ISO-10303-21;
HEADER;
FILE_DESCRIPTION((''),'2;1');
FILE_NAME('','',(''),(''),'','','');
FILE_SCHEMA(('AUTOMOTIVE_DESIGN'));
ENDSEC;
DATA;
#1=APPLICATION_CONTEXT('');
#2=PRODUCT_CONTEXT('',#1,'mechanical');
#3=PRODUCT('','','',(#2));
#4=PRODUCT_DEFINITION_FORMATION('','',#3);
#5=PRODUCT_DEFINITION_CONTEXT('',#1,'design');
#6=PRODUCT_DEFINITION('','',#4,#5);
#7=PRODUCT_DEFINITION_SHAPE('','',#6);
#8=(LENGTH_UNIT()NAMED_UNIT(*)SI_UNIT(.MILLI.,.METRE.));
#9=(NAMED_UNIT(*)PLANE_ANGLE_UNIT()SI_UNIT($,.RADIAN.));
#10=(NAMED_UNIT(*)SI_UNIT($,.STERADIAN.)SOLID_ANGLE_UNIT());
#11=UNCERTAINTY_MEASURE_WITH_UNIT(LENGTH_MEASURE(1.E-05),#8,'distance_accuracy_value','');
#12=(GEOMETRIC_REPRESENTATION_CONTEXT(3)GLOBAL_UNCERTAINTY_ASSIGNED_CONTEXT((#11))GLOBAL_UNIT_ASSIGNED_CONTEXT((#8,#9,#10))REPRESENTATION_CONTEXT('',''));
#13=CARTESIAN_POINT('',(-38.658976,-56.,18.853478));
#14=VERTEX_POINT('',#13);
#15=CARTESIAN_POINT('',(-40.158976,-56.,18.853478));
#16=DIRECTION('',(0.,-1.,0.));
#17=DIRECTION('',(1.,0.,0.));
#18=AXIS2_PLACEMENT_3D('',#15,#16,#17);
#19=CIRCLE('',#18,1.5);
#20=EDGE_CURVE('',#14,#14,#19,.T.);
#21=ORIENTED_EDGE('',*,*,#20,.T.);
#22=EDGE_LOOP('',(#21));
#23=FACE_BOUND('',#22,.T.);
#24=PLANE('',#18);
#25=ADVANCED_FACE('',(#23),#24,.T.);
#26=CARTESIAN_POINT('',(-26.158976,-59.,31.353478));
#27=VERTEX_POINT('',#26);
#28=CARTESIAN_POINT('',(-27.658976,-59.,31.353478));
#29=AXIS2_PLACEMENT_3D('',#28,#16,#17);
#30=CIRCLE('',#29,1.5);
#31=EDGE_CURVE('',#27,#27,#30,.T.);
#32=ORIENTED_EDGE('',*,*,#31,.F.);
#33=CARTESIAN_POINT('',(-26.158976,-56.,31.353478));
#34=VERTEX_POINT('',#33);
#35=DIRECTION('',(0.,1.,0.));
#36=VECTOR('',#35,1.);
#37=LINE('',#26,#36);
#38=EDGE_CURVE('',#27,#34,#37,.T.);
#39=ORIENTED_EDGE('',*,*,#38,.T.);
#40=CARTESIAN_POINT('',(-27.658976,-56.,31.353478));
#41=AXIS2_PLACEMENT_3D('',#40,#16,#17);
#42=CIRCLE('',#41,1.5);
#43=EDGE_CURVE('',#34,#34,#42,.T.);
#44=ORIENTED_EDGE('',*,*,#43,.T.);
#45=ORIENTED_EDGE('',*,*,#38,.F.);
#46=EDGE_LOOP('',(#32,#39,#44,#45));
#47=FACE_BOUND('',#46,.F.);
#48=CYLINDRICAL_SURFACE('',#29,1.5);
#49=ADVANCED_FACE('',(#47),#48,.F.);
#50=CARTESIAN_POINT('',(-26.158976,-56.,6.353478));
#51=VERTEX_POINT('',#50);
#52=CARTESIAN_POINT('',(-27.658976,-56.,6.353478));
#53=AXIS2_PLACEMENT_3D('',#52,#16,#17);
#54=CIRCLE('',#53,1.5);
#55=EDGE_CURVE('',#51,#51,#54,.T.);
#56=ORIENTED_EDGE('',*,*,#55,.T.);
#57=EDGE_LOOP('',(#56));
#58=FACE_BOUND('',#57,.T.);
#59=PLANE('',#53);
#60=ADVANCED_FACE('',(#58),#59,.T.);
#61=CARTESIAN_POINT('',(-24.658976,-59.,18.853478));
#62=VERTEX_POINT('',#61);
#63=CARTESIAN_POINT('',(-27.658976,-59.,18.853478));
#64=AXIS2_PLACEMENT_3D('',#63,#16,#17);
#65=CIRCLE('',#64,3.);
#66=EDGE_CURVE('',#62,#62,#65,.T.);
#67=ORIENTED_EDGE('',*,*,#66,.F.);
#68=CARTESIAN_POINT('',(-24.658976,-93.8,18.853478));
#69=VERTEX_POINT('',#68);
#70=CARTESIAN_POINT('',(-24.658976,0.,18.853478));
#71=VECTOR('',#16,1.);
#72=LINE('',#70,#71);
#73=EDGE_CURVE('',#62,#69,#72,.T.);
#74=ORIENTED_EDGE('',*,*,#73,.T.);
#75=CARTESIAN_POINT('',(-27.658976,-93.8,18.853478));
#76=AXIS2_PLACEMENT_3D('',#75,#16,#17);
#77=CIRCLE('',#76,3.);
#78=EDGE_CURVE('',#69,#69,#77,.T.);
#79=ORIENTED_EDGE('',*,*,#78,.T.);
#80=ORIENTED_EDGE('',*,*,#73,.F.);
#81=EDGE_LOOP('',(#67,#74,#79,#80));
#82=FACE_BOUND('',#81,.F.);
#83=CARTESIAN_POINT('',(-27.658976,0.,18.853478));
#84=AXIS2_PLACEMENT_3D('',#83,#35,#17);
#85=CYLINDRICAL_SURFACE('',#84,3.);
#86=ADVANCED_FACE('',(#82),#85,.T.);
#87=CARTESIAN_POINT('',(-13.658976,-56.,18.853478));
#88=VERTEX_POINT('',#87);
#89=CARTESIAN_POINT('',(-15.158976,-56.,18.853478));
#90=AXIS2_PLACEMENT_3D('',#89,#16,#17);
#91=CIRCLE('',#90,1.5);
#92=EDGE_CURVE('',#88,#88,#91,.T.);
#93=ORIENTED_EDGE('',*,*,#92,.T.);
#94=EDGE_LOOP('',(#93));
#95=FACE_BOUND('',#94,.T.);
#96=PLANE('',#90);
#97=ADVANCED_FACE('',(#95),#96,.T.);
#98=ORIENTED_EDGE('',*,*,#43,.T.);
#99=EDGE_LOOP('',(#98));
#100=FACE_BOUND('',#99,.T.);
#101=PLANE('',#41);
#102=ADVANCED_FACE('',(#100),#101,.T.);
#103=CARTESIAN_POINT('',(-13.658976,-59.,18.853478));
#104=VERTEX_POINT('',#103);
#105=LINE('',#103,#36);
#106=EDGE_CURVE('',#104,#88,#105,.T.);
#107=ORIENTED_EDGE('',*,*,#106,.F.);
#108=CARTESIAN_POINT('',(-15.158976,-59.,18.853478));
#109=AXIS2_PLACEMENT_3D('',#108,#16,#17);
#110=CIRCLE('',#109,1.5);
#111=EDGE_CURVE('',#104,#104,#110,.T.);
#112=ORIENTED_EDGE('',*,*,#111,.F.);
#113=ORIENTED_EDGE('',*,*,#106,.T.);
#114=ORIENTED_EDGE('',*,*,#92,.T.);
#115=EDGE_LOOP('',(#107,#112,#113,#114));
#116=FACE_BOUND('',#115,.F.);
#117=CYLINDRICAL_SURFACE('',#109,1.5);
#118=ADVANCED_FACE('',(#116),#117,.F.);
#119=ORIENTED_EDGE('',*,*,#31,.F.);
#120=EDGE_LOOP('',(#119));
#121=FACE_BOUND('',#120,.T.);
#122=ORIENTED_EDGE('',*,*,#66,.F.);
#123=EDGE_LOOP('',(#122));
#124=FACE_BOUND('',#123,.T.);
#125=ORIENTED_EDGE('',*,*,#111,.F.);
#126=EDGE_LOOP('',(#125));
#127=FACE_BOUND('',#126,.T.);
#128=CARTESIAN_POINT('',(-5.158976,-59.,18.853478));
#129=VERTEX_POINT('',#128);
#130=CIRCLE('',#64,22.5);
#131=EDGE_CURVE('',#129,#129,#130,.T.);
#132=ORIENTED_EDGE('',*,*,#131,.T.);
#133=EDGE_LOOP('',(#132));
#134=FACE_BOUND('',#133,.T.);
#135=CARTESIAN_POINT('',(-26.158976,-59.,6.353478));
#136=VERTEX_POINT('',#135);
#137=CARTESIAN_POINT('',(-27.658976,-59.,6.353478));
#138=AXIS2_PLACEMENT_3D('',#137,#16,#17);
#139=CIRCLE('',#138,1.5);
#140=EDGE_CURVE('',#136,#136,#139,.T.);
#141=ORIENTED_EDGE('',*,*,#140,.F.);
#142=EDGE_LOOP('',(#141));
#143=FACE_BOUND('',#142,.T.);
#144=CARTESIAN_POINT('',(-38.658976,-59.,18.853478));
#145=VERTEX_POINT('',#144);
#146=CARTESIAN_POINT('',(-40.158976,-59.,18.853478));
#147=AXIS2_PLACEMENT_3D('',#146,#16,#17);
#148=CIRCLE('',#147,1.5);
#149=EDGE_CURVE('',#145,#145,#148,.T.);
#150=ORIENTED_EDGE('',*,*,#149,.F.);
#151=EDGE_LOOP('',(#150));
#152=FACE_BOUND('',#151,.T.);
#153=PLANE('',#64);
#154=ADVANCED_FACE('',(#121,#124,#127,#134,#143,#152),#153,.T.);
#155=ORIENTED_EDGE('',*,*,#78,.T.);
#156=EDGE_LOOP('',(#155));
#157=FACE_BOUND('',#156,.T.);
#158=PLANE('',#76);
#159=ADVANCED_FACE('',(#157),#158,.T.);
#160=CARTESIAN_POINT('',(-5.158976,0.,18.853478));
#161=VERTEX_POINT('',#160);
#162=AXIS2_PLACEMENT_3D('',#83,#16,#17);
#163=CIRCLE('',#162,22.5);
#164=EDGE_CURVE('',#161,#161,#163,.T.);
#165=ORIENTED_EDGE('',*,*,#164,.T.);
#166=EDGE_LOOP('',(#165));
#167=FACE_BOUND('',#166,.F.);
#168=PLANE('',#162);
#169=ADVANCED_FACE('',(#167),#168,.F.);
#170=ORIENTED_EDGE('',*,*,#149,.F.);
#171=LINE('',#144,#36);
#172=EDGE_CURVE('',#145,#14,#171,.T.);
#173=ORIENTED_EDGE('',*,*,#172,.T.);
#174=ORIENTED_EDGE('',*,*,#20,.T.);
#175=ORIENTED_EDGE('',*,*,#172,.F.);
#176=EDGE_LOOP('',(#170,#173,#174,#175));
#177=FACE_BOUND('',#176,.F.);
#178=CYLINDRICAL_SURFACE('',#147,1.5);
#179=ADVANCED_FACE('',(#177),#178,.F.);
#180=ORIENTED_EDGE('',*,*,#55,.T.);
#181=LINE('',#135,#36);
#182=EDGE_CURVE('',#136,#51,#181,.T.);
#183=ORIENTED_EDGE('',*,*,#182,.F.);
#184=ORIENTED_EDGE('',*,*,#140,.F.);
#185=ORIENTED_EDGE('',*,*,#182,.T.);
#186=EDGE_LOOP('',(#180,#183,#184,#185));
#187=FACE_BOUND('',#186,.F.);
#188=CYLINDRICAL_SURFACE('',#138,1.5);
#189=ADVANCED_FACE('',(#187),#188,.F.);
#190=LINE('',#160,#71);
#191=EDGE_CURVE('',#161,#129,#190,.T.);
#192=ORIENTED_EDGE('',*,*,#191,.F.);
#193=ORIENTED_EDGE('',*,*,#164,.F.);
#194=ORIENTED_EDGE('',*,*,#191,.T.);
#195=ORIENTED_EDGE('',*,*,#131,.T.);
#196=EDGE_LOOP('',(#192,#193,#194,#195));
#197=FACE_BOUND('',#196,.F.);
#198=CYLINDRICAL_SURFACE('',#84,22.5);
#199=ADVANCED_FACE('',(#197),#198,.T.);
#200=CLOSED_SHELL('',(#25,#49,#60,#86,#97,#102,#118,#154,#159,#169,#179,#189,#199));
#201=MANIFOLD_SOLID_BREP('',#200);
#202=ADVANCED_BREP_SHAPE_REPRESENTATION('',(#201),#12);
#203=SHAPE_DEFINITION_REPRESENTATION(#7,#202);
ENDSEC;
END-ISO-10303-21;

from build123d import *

# Parameters (mm, degrees)
F0_R     = 22.5
F0_R_2   = 3
F1_DEPTH = 59
F2_DEPTH = 93.8
F3_R     = 1.5
F4_DEPTH = 3


with BuildPart() as f1:
    # F0 (on Front) → F1 (new body)
    with BuildSketch(Plane.XZ):
        with Locations((-27.658976, 18.853478)):
            Circle(F0_R)
        with Locations((-27.658976, 18.853478)):
            Circle(F0_R_2, mode=Mode.SUBTRACT)
    extrude(amount=F1_DEPTH)

    # F0 (on Front) → F2 (join)
    with BuildSketch(Plane.XZ):
        with Locations((-27.658976, 18.853478)):
            Circle(F0_R_2)
    extrude(amount=F2_DEPTH)

    # F3 (on face) → F4 (cut)
    with BuildSketch(Plane.XZ.offset(59)):
        with Locations((-27.658976, 31.353478)):
            Circle(F3_R)
        with Locations((-40.158976, 18.853478)):
            Circle(F3_R)
        with Locations((-27.658976, 6.353478)):
            Circle(F3_R)
        with Locations((-15.158976, 18.853478)):
            Circle(F3_R)
    extrude(amount=-F4_DEPTH, mode=Mode.SUBTRACT)


solid = f1.part
